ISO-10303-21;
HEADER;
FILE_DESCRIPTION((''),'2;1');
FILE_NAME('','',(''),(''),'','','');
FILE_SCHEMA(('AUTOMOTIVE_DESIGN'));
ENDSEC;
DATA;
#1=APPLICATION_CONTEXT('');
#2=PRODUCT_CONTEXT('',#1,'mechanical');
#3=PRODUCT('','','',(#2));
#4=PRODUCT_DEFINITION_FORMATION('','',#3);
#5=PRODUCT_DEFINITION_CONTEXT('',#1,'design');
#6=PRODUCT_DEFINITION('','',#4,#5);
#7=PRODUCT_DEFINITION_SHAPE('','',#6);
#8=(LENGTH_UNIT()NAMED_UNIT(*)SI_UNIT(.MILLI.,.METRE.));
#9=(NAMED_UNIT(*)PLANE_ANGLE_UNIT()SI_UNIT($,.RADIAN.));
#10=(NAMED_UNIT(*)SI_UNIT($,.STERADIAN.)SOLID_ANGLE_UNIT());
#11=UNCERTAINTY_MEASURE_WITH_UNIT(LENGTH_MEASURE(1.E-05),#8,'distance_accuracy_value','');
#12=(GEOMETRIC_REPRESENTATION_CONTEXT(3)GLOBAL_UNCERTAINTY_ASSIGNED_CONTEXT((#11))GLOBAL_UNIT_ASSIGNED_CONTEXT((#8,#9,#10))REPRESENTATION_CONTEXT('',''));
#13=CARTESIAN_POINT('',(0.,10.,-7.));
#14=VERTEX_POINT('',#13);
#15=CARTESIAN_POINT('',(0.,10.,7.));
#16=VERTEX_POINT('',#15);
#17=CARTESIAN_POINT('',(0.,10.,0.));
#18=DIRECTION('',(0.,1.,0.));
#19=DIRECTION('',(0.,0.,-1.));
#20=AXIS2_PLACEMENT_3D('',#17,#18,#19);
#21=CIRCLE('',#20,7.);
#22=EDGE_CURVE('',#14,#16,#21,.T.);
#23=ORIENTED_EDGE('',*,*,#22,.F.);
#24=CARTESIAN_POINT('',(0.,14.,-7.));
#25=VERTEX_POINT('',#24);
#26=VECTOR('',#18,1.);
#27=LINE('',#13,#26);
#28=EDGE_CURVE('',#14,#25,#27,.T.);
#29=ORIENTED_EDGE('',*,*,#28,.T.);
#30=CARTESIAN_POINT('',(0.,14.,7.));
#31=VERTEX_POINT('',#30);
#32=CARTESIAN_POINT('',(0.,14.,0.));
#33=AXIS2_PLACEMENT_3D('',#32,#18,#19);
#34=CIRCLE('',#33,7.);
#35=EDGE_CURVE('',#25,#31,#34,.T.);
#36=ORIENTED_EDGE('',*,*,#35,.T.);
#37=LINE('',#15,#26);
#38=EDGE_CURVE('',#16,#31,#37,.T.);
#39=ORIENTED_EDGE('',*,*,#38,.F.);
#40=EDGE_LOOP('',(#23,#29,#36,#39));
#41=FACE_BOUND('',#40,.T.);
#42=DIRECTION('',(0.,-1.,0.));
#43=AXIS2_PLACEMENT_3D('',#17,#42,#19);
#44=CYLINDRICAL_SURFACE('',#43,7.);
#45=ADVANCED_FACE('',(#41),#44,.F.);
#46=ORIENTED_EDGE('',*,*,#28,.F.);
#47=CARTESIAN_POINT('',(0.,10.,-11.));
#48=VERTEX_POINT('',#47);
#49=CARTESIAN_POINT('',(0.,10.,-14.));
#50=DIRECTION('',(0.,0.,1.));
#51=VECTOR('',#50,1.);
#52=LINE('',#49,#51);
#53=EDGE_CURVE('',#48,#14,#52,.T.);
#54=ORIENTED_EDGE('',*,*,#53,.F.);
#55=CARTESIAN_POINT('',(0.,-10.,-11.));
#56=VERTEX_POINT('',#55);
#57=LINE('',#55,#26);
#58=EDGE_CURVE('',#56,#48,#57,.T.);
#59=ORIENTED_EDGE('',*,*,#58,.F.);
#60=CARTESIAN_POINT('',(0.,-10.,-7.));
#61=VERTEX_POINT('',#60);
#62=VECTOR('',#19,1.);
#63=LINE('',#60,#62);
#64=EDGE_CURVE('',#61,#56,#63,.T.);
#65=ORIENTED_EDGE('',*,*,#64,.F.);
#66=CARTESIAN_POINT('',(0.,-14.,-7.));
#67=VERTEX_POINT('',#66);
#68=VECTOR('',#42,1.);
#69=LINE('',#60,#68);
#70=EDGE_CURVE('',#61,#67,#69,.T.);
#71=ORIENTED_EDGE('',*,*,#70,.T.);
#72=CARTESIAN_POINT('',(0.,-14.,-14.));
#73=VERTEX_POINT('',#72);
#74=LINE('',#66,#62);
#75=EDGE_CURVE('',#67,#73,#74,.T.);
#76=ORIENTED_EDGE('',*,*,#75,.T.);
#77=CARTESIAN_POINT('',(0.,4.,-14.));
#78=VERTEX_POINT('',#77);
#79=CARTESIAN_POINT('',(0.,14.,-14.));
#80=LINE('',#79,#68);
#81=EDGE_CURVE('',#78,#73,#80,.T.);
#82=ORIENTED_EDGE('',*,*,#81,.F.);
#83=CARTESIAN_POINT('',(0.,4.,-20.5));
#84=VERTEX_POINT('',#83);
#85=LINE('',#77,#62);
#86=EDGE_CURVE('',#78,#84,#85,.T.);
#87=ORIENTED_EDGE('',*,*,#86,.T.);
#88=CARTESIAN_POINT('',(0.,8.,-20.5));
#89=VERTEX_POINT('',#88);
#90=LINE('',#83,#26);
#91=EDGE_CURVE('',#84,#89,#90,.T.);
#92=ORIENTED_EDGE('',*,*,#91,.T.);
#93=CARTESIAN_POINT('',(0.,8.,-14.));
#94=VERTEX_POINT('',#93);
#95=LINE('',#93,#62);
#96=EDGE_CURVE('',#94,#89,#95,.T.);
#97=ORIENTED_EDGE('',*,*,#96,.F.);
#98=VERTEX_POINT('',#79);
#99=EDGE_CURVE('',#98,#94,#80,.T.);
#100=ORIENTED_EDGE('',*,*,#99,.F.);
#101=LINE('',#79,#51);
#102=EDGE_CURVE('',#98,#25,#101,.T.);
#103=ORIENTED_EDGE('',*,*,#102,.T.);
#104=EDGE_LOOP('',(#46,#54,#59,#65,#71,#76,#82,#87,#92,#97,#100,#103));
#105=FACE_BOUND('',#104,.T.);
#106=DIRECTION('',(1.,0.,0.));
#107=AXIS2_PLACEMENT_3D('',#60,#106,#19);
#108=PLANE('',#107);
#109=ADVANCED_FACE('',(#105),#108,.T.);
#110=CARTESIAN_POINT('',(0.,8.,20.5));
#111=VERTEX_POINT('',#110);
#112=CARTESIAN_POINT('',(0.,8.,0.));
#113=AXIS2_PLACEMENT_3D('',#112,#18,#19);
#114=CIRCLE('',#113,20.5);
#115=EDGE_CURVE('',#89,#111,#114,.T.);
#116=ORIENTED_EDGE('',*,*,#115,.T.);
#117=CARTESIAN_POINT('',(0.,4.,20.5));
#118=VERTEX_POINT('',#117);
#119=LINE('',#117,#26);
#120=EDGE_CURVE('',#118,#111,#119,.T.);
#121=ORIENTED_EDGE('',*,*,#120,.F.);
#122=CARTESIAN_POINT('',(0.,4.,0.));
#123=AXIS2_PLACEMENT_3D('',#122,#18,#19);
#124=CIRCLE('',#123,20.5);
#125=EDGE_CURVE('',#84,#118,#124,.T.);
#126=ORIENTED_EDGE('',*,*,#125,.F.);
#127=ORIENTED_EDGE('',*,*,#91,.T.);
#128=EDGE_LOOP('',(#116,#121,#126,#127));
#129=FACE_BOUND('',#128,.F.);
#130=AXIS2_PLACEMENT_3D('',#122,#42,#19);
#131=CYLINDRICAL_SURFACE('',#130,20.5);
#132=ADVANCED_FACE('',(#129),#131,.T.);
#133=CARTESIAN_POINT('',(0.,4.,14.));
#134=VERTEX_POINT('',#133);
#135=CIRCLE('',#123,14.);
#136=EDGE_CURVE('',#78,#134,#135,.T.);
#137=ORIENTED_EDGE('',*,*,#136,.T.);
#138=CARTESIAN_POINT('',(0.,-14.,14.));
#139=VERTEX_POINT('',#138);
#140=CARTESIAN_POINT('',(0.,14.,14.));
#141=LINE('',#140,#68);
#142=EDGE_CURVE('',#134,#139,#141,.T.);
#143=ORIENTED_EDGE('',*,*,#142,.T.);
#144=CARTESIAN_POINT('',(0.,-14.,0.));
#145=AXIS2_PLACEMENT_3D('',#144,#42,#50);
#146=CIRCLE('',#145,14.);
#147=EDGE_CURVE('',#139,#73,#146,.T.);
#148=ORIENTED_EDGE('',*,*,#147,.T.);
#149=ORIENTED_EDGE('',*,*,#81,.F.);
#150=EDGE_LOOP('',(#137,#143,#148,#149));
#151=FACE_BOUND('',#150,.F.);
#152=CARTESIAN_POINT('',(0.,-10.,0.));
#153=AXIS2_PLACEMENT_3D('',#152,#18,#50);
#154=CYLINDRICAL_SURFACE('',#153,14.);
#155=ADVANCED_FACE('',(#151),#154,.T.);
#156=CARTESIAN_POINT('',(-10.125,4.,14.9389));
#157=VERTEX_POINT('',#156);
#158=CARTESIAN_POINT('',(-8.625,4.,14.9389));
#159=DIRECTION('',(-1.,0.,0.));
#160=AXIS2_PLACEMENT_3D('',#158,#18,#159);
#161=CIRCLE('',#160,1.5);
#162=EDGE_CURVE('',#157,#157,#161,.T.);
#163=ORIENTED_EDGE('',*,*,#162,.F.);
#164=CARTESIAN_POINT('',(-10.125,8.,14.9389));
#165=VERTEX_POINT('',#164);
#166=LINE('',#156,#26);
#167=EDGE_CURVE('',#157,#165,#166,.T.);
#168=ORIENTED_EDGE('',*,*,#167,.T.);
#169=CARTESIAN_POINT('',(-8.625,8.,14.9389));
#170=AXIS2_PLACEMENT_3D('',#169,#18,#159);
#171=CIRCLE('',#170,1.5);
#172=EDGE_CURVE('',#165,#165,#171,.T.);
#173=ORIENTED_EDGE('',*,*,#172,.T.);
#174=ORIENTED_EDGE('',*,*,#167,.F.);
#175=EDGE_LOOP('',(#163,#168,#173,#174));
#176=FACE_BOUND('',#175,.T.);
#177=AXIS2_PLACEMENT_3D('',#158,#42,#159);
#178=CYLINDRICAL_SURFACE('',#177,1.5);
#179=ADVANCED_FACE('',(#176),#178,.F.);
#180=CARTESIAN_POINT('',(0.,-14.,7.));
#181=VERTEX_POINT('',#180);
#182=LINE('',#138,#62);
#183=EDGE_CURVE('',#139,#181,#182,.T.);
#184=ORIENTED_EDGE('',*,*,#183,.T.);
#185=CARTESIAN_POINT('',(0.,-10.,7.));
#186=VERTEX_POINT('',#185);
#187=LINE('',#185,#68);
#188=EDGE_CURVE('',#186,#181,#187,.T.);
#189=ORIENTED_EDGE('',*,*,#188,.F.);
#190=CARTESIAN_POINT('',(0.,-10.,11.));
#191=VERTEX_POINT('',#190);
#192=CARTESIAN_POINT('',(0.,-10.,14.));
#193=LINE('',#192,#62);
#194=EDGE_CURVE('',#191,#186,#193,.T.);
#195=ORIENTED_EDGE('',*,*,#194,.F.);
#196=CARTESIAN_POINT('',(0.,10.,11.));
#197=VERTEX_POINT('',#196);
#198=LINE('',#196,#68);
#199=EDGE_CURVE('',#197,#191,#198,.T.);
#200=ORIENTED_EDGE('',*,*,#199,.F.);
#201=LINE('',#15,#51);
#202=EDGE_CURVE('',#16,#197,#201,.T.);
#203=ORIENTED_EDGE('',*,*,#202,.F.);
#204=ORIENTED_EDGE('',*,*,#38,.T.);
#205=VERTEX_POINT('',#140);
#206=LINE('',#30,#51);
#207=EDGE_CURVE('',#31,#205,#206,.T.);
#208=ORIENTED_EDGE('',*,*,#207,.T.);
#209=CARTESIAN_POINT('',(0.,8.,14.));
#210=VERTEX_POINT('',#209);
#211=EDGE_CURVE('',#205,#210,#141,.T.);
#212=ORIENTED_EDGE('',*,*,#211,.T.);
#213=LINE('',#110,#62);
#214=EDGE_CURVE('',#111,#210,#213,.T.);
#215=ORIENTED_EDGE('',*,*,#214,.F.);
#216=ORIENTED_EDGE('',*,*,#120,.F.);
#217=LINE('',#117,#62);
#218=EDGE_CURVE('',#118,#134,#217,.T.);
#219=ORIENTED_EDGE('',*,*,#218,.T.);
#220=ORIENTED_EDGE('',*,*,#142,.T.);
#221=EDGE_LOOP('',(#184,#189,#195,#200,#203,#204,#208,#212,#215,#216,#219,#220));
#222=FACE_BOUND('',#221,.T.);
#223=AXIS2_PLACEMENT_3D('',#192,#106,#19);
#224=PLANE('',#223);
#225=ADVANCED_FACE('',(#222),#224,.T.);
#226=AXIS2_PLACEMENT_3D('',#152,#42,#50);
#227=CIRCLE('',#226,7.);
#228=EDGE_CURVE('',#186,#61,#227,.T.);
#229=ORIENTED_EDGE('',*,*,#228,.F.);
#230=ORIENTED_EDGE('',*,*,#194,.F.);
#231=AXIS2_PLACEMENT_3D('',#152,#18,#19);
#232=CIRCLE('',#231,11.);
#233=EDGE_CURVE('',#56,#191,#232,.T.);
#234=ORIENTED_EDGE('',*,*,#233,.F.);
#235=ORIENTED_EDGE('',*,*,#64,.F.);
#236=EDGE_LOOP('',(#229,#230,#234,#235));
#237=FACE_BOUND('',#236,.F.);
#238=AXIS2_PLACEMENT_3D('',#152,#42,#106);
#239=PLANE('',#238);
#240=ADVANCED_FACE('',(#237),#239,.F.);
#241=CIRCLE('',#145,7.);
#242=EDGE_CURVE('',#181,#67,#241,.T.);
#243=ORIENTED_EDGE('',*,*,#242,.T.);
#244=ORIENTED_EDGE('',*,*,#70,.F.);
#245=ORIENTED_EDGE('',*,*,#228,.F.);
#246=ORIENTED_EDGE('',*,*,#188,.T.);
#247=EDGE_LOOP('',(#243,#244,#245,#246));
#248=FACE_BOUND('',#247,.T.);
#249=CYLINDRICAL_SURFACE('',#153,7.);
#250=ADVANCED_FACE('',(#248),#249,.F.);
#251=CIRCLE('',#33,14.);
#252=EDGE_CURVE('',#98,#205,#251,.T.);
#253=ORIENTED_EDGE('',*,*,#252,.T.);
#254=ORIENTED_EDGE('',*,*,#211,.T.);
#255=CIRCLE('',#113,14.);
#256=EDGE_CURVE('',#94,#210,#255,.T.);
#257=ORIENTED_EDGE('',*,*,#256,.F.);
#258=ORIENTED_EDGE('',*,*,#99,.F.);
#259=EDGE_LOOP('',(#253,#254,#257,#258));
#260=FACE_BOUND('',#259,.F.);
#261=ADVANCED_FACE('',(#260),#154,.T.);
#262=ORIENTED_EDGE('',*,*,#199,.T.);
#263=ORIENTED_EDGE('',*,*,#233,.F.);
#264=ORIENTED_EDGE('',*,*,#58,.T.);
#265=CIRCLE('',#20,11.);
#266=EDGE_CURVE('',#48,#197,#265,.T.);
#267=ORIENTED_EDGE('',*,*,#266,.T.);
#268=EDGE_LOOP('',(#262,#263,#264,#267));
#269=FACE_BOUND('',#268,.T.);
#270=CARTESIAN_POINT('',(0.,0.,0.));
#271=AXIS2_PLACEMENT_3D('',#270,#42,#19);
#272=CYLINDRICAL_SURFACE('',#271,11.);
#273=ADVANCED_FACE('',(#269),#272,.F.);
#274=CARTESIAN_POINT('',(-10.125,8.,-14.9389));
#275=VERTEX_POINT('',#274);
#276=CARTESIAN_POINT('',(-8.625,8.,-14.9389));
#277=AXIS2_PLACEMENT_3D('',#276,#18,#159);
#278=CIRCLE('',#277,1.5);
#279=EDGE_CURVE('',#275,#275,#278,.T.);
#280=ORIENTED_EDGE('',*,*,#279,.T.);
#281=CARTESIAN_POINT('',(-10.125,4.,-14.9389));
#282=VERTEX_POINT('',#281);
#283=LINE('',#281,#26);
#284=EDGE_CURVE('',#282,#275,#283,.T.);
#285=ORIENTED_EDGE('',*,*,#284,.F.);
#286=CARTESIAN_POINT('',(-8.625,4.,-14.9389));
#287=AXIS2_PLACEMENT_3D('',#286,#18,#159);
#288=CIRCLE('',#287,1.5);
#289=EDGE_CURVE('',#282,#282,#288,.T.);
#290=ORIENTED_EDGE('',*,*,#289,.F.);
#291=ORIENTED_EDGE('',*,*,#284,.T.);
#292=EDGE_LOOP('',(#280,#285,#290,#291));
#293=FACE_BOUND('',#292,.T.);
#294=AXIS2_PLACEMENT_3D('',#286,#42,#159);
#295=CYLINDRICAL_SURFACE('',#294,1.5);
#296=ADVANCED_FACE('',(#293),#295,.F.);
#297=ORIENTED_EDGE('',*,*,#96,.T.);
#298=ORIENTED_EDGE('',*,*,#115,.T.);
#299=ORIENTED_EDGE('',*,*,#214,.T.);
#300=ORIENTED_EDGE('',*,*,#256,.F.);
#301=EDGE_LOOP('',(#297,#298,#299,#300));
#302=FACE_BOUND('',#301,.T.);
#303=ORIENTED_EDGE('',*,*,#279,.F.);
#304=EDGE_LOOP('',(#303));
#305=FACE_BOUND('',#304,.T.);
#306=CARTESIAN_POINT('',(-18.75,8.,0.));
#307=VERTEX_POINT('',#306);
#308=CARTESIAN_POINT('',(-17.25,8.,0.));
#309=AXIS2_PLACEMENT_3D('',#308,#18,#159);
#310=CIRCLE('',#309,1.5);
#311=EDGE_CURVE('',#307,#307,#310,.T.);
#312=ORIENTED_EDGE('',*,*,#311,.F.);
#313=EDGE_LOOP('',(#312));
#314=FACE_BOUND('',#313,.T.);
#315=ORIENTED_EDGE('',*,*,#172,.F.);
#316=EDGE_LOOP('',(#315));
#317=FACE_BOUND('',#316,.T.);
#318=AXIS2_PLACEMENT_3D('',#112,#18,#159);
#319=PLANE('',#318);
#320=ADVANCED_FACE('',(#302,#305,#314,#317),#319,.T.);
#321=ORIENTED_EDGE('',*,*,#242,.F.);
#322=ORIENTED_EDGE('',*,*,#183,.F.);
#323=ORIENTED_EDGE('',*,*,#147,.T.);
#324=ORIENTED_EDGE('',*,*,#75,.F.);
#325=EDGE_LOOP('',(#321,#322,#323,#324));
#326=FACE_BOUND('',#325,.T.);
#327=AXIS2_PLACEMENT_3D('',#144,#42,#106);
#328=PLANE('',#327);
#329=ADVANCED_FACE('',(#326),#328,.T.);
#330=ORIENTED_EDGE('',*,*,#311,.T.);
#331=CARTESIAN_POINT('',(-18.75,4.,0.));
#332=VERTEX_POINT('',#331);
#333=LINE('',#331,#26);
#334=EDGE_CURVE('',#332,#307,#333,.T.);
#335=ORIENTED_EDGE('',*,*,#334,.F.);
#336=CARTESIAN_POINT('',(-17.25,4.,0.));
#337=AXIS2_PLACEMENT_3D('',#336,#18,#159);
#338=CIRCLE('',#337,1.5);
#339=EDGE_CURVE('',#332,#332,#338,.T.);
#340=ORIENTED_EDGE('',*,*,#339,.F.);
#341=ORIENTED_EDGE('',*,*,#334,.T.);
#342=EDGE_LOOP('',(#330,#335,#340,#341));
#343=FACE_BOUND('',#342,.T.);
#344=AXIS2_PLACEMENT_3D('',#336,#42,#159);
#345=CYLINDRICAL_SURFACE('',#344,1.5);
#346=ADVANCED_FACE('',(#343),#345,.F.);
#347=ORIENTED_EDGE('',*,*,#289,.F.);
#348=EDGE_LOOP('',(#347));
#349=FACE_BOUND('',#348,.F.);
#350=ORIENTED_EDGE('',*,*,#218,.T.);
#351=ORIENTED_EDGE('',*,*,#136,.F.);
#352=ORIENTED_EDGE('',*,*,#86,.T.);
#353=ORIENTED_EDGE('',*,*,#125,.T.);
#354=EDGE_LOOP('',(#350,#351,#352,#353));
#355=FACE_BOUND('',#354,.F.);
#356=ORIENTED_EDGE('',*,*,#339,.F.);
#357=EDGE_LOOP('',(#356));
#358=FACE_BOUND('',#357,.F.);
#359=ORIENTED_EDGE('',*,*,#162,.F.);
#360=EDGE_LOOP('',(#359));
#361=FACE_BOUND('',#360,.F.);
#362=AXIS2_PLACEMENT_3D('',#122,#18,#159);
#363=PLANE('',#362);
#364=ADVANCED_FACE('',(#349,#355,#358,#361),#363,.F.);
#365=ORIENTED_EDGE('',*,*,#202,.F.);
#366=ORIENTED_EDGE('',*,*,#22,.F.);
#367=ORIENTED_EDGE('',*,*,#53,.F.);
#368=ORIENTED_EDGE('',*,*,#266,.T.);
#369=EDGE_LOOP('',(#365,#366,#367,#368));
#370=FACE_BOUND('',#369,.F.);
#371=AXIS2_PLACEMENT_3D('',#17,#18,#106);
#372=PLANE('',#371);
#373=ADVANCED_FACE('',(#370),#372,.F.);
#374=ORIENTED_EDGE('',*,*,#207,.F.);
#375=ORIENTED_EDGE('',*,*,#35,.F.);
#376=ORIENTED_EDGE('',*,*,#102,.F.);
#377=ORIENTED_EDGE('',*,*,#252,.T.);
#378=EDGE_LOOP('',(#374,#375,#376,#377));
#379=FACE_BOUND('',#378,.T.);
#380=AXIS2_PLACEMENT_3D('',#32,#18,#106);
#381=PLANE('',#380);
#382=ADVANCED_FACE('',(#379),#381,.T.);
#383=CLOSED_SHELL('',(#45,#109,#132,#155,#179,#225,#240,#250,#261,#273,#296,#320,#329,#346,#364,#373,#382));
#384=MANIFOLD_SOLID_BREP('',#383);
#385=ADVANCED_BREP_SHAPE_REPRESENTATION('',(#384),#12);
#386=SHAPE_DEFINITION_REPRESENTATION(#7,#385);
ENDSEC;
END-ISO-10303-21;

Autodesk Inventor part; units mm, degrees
ref_plane "YZ Plane" through (0, 0, 0) normal (1, 0, 0) x (0, 1, 0)
ref_plane "XY Plane" through (0, 0, 0) normal (0, 0, 1) x (1, 0, 0)
sketch "Sketch1" plane through (0, 0, 0) normal (0, 1, 0) x (-1, 0, 0)
  arc A0 (0, -11) -> (0, 11) centre (0, 0) ccw
  line L0 (0, 0) -> (0, -11) construction
  line L1 (0, 0) -> (0, 11) construction
  arc A1 (0, -14) -> (0, 14) centre (0, 0) ccw
  line L2 (0, 11) -> (0, 14)
  line L3 (0, -11) -> (0, -14)
  dimension "d0" = 180
  dimension "d1" = 11
  dimension "d3" = 3
extrude "Extrusion1" add sketch "Sketch1" along normal mid plane 20
sketch "Sketch2" plane through (0, 10, 0) normal (0, 1, 0) x (1, 0, 0)
  arc A0 (0, 14) -> (0, -14) centre (0, 0) ccw projected
  arc A1 (0, 11) -> (0, -11) centre (0, 0) ccw construction
  arc A2 (0, 7) -> (0, -7) centre (0, 0) ccw
  line L0 (0, 11) -> (0, 14) projected
  line L1 (0, 14) -> (0, 7)
  line L2 (0, -7) -> (0, -14)
  dimension "d6" = 4
extrude "Extrusion2" add sketch "Sketch2" along normal blind 4
sketch "Sketch3" plane through (0, -10, 0) normal (0, -1, 0) x (1, 0, 0)
  arc A0 (0, 14) -> (0, -14) centre (0, 0) ccw projected
  line L0 (0, 14) -> (0, 7) projected
  arc A1 (0, 7) -> (0, -7) centre (0, 0) ccw projected
  line L1 (0, -7) -> (0, -14) projected
  arc A2 (0, 14) -> (0, -14) centre (0, 0) ccw projected
  point P0 (0, -14)
extrude "Extrusion3" add sketch "Sketch3" along normal blind 4
ref_plane "Work Plane1" through (0, 4, 0) normal (0, 1, 0) x (-1, 0, 0)
sketch "Sketch4" plane through (0, 4, 0) normal (0, 1, 0) x (-1, 0, 0)
  arc A0 (0, -14) -> (0, 14) centre (0, 0) ccw projected
  arc A1 (0, -20.5) -> (0, 20.5) centre (0, 0) ccw
  line L0 (0, 20.5) -> (0, 14)
  line L1 (0, -14) -> (0, -20.5)
  circle A2 centre (17.25, 0) radius 1.5
  line L2 (14, 0) -> (20.5, 0) construction
  circle A3 centre (8.625, 14.9389) radius 1.5
  circle A4 centre (8.625, -14.9389) radius 1.5
  dimension "d12" = 6.5
  dimension "d13" = 3
  dimension "d16" = 60
  dimension "d20" = 60
extrude "Extrusion4" add sketch "Sketch4" along normal blind 4
properties part number "Spindle_Block_Holder" material "PC/ABS Plastic"
